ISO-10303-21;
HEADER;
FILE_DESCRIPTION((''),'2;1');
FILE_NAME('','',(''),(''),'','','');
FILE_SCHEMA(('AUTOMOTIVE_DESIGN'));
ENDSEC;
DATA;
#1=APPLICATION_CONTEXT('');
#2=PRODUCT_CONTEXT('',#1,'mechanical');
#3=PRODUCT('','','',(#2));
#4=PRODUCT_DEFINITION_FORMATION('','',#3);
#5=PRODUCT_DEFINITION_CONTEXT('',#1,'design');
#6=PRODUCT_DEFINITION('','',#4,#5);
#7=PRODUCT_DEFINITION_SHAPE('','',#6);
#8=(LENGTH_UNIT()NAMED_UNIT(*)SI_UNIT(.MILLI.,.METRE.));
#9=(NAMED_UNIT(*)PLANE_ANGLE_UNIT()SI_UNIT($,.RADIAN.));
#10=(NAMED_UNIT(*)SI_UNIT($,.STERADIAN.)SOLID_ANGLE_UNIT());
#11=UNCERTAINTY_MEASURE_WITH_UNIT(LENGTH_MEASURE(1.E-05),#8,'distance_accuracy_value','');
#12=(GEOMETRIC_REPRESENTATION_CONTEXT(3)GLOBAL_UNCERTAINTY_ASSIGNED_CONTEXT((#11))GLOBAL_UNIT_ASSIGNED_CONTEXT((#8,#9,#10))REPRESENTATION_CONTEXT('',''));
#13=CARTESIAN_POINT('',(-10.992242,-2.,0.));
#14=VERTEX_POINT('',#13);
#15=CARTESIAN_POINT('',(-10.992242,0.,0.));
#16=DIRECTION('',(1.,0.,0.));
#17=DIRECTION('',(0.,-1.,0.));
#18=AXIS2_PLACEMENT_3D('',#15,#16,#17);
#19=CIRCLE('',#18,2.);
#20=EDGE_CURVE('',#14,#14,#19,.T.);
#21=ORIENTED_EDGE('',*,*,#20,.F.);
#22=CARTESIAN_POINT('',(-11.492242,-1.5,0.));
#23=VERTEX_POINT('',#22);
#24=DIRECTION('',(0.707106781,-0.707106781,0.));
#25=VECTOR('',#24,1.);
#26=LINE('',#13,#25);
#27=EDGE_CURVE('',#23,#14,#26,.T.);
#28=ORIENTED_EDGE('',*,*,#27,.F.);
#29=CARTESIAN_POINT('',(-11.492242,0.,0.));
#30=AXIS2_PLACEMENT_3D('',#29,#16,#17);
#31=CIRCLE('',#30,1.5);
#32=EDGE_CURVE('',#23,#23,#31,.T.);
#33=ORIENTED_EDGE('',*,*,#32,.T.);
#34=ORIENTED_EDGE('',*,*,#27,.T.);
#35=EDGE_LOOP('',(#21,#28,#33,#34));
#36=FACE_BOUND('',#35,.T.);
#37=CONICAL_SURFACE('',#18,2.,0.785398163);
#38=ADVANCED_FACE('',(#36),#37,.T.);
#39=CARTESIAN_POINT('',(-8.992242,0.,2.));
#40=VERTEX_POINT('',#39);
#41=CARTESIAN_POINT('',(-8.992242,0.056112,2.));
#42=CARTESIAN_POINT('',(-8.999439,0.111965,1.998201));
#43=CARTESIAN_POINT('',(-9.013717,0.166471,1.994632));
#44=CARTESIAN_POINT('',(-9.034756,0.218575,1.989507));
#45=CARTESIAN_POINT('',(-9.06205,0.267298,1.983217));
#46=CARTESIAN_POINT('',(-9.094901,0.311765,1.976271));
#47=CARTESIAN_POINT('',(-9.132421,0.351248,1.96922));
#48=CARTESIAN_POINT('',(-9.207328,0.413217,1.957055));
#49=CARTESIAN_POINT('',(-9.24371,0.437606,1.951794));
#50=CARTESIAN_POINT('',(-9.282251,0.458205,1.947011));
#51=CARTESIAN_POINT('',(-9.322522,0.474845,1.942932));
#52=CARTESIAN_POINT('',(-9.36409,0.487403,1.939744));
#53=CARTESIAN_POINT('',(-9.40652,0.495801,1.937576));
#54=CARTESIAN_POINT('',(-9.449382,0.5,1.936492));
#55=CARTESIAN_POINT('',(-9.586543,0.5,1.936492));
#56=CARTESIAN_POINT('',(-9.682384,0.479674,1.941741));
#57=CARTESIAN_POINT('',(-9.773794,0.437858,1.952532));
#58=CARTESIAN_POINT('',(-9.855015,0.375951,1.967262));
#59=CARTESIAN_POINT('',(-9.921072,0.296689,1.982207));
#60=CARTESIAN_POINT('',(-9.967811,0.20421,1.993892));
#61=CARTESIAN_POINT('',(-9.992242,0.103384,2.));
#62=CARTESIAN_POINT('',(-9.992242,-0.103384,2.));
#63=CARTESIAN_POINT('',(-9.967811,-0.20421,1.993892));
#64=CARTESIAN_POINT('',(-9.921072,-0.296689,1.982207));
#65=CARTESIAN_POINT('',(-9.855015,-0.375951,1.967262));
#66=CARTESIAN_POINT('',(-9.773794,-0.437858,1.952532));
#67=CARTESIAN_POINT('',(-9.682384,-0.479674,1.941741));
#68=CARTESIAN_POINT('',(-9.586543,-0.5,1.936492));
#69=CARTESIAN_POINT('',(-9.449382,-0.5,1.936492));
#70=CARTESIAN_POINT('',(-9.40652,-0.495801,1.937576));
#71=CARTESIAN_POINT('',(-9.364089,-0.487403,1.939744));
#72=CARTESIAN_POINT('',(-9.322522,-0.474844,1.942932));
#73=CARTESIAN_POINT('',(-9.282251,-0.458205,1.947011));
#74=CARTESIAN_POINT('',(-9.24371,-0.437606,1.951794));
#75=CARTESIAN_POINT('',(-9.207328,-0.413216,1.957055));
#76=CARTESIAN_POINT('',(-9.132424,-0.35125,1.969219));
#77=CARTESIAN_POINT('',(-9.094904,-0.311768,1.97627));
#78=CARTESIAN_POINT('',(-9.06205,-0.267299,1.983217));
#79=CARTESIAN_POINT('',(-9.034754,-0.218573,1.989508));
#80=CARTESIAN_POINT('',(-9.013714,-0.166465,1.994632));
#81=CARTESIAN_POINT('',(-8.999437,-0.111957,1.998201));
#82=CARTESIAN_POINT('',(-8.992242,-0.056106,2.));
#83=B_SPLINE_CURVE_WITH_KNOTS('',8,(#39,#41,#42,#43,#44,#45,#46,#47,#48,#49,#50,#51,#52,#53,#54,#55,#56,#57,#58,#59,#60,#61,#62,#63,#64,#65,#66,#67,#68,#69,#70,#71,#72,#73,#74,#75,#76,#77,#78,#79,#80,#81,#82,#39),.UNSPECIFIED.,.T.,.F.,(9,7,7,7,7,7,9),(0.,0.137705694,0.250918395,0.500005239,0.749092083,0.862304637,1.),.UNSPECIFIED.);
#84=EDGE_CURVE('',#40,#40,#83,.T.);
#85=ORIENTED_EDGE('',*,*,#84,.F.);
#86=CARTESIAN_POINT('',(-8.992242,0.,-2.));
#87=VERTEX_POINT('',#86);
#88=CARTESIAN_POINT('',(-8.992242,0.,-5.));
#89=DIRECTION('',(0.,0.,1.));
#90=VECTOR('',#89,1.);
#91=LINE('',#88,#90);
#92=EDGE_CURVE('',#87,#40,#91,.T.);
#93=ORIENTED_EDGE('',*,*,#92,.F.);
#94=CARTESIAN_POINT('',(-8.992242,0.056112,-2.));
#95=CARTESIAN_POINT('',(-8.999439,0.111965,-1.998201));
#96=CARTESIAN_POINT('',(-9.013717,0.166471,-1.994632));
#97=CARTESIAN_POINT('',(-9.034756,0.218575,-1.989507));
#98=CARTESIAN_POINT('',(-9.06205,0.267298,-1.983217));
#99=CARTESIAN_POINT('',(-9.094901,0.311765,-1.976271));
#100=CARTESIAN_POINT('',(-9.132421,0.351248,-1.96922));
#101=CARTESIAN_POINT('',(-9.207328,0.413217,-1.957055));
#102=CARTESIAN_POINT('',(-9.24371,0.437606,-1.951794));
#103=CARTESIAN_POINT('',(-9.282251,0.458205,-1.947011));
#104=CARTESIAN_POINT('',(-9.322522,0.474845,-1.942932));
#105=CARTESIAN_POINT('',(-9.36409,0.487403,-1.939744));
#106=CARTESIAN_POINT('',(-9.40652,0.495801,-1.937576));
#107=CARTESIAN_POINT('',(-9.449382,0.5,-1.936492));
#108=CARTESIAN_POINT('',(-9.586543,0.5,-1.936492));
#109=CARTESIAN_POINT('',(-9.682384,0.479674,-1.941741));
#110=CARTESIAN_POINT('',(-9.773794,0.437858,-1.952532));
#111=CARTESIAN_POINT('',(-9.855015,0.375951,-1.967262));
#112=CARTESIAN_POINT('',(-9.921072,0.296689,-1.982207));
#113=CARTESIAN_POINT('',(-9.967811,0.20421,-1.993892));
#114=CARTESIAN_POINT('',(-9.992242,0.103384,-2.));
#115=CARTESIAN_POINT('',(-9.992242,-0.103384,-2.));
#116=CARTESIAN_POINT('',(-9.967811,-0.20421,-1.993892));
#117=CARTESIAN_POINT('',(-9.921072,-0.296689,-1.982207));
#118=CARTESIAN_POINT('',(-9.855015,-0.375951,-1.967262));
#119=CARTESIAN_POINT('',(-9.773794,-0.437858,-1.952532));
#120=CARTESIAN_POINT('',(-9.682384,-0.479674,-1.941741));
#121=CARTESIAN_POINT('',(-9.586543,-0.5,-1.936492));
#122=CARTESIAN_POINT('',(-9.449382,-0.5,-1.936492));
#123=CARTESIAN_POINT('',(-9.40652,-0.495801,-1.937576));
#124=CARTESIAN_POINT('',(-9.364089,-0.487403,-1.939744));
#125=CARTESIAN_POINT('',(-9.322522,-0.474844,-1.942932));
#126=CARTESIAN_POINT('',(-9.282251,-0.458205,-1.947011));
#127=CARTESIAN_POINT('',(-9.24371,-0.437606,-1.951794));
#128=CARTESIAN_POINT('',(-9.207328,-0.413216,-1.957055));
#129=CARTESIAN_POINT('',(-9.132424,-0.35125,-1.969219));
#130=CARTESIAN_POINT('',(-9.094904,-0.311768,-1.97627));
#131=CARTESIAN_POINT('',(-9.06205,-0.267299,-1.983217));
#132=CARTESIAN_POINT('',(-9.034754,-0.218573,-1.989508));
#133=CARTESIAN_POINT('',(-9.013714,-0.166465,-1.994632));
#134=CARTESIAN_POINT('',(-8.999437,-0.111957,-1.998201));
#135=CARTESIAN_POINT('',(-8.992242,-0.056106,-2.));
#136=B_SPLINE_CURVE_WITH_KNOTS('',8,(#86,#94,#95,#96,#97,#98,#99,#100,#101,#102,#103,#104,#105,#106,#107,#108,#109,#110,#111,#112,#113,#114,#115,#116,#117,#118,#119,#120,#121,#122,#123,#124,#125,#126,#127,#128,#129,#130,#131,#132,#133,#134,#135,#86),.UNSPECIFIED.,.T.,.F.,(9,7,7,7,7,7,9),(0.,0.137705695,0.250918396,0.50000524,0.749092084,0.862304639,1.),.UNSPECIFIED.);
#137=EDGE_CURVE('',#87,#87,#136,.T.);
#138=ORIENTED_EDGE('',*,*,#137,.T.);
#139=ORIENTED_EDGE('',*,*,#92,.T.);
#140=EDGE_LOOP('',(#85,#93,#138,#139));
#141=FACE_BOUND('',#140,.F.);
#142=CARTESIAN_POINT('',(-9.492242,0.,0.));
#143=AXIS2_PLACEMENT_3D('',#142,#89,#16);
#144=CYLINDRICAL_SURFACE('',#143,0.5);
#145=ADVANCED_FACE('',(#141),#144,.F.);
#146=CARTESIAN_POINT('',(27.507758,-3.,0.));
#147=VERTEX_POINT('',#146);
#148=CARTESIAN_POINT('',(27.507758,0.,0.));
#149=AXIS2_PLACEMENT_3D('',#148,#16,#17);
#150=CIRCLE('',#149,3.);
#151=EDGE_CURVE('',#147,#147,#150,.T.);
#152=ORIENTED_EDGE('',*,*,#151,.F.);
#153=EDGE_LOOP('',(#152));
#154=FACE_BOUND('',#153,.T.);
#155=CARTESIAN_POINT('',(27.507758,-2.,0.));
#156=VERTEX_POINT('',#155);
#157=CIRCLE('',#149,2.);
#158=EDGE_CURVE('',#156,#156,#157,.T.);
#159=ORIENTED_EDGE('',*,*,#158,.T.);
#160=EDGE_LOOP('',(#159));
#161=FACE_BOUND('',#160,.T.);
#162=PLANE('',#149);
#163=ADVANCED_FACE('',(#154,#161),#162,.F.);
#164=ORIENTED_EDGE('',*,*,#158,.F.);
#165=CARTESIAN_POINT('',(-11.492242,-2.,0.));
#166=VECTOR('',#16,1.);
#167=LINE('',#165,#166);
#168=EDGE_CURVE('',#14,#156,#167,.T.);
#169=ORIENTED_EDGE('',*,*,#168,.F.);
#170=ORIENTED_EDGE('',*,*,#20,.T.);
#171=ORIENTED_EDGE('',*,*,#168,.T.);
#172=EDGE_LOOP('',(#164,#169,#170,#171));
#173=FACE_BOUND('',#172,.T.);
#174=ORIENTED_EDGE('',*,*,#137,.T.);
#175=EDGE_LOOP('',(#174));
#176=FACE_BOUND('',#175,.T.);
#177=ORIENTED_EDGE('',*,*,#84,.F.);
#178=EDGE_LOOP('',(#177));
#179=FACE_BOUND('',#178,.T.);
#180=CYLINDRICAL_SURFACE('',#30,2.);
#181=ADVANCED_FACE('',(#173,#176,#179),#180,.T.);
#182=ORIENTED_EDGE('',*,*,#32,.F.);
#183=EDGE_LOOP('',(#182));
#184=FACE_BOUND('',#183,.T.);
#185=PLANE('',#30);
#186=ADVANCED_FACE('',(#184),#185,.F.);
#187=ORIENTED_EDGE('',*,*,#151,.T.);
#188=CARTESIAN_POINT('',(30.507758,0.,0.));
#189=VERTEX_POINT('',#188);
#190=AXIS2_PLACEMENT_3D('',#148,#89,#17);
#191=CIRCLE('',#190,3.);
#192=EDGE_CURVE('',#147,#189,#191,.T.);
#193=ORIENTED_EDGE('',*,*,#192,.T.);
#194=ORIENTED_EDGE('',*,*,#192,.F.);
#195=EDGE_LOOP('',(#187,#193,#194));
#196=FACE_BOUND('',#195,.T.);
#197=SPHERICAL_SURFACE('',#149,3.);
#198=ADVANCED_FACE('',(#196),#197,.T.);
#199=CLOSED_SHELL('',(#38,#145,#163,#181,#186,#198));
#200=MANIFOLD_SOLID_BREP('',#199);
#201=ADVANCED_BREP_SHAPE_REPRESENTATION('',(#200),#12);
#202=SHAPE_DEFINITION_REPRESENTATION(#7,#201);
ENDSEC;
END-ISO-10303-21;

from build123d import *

# Parameters (mm, degrees)
SKETCH2_R          = 0.5
CUT_EXTRUDE1_DEPTH = 5
CHAMFER1_SIZE      = 0.5


with BuildPart() as part:
    # Sketch1 → Revolve1 (revolve)
    with BuildSketch(Plane.XY):
        with BuildLine():
            Line((-11.492242367, 0), (-11.492242367, -2))
            Line((-11.492242367, -2), (27.507757633, -2))
            Line((27.507757633, -2), (27.507757633, -3))
            ThreePointArc((27.507757633, -3), (29.629077976, -2.121320344), (30.507757633, 0))
            Line((30.507757633, 0), (-11.492242367, 0))
        make_face()
    revolve(axis=Axis((-20.421686747, 0, 0), (1, 0, 0)))

    # Sketch2 → Cut-Extrude1 (cut, symmetric)
    with BuildSketch(Plane.XY):
        with Locations((-9.492242367, 0)):
            Circle(SKETCH2_R)
    extrude(amount=CUT_EXTRUDE1_DEPTH, both=True, mode=Mode.SUBTRACT)

    # Chamfer1
    chamfer1_edges = [part.edges().sort_by_distance(p)[0] for p in [
        (-11.492242367, 2, 0),
    ]]
    chamfer(chamfer1_edges, length=CHAMFER1_SIZE)


solid = part.part
